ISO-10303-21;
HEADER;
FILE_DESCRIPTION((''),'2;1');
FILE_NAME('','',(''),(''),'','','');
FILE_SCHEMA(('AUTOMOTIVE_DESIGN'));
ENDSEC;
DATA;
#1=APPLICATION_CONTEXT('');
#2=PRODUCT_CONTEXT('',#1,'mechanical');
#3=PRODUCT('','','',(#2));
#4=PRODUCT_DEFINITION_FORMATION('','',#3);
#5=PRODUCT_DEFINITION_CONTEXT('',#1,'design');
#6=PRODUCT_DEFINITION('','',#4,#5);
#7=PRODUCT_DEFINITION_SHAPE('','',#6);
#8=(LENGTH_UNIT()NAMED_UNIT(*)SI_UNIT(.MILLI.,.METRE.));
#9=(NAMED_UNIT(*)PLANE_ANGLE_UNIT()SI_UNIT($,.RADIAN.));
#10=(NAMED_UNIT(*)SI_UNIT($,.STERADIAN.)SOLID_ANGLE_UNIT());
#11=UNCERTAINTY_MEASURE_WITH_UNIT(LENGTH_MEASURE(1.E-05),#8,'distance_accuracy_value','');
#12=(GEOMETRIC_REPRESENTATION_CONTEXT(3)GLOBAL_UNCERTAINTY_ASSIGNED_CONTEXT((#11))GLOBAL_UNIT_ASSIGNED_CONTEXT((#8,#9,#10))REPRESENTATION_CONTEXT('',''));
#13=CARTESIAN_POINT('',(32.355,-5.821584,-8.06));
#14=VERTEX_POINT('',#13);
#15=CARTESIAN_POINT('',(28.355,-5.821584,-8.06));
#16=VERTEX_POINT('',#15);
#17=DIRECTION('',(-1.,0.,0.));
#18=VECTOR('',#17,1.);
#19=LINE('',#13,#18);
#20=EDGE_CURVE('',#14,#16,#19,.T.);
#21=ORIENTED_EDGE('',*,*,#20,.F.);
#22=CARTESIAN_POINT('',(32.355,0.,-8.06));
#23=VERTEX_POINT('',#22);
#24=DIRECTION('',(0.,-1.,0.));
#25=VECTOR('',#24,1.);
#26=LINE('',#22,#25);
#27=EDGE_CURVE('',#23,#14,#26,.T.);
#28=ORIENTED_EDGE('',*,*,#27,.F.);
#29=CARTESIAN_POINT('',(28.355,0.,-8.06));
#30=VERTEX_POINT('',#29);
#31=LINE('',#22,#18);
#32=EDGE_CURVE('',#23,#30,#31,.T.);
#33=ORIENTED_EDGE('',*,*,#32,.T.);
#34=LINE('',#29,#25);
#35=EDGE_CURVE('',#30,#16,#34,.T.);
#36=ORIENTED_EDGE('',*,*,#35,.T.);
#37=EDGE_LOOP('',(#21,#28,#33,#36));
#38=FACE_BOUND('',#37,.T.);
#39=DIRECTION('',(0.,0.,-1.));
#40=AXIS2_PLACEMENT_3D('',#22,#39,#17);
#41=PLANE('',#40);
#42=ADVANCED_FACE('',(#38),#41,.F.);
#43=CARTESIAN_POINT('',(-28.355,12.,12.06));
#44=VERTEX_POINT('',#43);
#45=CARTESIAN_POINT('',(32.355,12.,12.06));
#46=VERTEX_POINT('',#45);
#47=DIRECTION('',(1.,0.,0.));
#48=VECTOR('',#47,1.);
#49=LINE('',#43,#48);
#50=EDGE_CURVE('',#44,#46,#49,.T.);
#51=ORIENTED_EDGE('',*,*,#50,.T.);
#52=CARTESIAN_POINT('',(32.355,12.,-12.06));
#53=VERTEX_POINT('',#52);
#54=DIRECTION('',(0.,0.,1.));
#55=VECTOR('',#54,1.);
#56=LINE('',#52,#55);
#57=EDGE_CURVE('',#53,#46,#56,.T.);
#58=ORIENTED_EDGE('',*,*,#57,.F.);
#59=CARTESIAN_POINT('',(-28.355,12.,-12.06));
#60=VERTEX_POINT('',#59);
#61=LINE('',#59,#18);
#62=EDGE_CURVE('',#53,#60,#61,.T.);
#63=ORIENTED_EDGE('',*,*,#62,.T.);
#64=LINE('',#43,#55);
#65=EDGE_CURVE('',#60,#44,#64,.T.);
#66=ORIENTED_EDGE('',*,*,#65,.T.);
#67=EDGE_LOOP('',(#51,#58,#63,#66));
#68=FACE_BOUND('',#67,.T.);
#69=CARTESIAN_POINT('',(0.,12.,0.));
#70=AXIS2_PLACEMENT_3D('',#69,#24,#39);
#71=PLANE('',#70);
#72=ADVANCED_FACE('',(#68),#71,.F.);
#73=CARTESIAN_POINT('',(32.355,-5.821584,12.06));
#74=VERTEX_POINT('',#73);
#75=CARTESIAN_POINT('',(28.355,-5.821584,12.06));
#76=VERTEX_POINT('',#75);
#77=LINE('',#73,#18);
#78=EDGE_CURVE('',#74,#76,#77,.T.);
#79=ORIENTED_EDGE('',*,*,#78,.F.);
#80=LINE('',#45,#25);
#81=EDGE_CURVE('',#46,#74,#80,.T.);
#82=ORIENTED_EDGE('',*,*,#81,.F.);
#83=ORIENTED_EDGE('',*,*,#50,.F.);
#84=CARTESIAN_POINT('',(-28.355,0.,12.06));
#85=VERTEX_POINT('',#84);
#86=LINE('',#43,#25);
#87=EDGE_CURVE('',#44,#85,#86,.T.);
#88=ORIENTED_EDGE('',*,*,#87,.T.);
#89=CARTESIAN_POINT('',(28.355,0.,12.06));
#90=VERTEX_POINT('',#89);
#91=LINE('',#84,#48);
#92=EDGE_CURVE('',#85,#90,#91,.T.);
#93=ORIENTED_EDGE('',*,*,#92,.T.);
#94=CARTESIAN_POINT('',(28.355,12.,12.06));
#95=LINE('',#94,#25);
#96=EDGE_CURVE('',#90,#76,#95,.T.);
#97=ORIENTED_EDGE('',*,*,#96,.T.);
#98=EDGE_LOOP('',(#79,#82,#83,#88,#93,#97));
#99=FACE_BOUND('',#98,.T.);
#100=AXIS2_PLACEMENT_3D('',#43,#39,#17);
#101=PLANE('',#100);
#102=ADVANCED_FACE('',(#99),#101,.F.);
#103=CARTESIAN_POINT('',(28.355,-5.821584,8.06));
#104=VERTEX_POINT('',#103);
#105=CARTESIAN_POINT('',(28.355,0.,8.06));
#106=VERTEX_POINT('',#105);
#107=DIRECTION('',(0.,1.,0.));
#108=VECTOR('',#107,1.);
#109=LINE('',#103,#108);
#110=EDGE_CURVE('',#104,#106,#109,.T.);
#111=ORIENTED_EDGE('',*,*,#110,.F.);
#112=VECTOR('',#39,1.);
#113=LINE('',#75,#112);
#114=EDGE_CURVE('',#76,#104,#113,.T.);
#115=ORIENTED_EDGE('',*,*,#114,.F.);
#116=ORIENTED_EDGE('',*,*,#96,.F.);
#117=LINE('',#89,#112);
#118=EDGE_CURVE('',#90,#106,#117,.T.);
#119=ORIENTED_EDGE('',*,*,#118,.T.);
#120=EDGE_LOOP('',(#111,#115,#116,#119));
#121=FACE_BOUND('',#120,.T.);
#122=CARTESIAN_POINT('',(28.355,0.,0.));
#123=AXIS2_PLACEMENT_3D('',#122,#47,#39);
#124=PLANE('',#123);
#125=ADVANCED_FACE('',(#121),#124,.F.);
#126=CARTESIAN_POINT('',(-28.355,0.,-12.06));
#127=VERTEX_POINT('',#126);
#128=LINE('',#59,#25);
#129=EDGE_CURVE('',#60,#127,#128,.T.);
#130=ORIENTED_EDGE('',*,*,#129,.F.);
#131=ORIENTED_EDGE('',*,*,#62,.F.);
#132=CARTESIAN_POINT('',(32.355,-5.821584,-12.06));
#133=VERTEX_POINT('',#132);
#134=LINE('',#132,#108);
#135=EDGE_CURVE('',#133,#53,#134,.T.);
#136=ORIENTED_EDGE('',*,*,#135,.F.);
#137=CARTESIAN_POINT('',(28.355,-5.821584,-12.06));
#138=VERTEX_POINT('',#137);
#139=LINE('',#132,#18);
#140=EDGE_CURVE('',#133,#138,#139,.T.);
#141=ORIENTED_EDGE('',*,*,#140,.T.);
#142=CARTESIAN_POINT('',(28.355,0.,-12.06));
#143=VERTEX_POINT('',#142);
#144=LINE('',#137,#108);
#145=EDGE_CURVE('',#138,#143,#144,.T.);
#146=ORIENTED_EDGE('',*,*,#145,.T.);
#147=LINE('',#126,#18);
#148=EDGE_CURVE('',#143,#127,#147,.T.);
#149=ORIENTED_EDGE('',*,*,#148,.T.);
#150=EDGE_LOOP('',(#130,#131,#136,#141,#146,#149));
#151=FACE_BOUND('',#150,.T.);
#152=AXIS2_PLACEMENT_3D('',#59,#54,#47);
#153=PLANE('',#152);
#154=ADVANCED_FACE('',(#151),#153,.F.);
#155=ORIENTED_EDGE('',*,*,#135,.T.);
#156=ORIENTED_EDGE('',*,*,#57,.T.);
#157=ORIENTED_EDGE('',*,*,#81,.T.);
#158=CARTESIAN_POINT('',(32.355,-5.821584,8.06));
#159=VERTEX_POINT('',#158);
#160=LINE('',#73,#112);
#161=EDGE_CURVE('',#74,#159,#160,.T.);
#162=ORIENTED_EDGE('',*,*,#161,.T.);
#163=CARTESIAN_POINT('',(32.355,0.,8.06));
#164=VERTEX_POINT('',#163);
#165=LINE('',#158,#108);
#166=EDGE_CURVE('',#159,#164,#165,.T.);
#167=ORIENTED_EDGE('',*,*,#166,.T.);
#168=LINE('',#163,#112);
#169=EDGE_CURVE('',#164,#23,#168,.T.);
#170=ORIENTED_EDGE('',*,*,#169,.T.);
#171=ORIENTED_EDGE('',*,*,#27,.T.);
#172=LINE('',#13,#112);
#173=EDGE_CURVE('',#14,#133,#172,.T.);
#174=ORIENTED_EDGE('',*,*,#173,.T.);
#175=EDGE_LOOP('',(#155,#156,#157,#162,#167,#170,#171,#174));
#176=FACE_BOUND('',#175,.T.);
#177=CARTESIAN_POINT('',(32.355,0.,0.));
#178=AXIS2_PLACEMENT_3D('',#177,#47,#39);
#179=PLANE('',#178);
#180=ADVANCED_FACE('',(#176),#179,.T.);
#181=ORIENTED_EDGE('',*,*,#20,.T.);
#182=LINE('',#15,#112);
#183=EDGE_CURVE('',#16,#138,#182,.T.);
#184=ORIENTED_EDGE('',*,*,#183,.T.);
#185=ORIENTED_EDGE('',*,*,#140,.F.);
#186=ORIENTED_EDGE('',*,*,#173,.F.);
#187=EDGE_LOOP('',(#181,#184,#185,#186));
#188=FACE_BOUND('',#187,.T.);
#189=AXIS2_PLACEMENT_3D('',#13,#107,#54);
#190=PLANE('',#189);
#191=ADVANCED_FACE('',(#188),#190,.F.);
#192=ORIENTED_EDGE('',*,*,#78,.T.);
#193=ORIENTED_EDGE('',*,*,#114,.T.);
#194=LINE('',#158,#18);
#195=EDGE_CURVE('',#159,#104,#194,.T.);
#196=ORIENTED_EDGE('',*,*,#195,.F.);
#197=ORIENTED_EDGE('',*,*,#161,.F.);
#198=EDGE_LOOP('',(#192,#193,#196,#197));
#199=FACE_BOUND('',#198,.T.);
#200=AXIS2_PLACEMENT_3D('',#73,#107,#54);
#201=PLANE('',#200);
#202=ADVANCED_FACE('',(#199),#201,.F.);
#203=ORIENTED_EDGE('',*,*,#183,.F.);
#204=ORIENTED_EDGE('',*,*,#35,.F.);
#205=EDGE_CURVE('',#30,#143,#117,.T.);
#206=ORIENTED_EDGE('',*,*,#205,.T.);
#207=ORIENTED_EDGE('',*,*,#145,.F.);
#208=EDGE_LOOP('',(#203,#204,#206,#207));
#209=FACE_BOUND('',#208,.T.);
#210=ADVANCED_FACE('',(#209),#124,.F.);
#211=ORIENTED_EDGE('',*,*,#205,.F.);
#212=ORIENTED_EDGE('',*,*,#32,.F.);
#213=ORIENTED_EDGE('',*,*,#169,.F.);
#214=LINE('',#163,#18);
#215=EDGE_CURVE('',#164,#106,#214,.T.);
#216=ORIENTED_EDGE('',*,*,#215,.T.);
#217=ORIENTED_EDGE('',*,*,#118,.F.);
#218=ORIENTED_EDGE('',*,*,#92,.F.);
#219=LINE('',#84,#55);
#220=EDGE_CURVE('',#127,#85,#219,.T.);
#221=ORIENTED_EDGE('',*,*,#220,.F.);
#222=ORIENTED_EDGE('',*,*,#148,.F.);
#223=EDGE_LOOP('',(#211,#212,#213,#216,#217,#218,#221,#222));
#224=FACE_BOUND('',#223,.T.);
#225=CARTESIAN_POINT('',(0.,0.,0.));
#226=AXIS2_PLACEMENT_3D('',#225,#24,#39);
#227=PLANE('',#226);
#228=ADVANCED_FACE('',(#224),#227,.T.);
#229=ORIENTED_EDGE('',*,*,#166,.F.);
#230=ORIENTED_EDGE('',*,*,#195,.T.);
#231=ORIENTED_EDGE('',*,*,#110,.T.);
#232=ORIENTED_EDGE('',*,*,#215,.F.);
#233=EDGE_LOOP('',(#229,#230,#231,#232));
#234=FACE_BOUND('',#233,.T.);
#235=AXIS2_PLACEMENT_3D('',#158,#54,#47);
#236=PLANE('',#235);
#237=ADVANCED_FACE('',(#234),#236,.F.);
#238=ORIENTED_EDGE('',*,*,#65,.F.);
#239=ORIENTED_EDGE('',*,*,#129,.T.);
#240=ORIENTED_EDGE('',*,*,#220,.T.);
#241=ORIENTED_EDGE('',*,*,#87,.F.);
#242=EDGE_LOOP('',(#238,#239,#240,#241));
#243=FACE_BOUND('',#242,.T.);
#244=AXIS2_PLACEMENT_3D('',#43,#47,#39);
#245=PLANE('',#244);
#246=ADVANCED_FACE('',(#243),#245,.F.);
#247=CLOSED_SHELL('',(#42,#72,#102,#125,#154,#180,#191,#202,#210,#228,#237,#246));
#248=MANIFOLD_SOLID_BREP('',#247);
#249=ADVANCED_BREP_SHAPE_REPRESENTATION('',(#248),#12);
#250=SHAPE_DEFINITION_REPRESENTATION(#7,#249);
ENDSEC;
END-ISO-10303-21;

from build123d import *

# Parameters (mm, degrees)
SKETCH1_W           = 56.71
SKETCH1_H           = 24.12
BOSS_EXTRUDE1_DEPTH = 12
BOSS_EXTRUDE3_DEPTH = 4


with BuildPart() as part:
    # Sketch1 → Boss-Extrude1 (new body)
    with BuildSketch(Plane(origin=(0, 0, 0), x_dir=(1, 0, 0), z_dir=(0, 1, 0))):
        Rectangle(SKETCH1_W, SKETCH1_H)
    extrude(amount=BOSS_EXTRUDE1_DEPTH)

    # Sketch3 → Boss-Extrude3 (add)
    with BuildSketch(Plane(origin=(28.355, 0, 0), x_dir=(0, 0, -1), z_dir=(1, 0, 0))):
        Polygon((-12.06, 12), (-12.06, -5.821584267), (-8.06, -5.821584267), (-8.06, 0), (8.06, 0), (8.06, -5.821584267), (12.06, -5.821584267), (12.06, 12), align=None)
    extrude(amount=BOSS_EXTRUDE3_DEPTH)


solid = part.part
